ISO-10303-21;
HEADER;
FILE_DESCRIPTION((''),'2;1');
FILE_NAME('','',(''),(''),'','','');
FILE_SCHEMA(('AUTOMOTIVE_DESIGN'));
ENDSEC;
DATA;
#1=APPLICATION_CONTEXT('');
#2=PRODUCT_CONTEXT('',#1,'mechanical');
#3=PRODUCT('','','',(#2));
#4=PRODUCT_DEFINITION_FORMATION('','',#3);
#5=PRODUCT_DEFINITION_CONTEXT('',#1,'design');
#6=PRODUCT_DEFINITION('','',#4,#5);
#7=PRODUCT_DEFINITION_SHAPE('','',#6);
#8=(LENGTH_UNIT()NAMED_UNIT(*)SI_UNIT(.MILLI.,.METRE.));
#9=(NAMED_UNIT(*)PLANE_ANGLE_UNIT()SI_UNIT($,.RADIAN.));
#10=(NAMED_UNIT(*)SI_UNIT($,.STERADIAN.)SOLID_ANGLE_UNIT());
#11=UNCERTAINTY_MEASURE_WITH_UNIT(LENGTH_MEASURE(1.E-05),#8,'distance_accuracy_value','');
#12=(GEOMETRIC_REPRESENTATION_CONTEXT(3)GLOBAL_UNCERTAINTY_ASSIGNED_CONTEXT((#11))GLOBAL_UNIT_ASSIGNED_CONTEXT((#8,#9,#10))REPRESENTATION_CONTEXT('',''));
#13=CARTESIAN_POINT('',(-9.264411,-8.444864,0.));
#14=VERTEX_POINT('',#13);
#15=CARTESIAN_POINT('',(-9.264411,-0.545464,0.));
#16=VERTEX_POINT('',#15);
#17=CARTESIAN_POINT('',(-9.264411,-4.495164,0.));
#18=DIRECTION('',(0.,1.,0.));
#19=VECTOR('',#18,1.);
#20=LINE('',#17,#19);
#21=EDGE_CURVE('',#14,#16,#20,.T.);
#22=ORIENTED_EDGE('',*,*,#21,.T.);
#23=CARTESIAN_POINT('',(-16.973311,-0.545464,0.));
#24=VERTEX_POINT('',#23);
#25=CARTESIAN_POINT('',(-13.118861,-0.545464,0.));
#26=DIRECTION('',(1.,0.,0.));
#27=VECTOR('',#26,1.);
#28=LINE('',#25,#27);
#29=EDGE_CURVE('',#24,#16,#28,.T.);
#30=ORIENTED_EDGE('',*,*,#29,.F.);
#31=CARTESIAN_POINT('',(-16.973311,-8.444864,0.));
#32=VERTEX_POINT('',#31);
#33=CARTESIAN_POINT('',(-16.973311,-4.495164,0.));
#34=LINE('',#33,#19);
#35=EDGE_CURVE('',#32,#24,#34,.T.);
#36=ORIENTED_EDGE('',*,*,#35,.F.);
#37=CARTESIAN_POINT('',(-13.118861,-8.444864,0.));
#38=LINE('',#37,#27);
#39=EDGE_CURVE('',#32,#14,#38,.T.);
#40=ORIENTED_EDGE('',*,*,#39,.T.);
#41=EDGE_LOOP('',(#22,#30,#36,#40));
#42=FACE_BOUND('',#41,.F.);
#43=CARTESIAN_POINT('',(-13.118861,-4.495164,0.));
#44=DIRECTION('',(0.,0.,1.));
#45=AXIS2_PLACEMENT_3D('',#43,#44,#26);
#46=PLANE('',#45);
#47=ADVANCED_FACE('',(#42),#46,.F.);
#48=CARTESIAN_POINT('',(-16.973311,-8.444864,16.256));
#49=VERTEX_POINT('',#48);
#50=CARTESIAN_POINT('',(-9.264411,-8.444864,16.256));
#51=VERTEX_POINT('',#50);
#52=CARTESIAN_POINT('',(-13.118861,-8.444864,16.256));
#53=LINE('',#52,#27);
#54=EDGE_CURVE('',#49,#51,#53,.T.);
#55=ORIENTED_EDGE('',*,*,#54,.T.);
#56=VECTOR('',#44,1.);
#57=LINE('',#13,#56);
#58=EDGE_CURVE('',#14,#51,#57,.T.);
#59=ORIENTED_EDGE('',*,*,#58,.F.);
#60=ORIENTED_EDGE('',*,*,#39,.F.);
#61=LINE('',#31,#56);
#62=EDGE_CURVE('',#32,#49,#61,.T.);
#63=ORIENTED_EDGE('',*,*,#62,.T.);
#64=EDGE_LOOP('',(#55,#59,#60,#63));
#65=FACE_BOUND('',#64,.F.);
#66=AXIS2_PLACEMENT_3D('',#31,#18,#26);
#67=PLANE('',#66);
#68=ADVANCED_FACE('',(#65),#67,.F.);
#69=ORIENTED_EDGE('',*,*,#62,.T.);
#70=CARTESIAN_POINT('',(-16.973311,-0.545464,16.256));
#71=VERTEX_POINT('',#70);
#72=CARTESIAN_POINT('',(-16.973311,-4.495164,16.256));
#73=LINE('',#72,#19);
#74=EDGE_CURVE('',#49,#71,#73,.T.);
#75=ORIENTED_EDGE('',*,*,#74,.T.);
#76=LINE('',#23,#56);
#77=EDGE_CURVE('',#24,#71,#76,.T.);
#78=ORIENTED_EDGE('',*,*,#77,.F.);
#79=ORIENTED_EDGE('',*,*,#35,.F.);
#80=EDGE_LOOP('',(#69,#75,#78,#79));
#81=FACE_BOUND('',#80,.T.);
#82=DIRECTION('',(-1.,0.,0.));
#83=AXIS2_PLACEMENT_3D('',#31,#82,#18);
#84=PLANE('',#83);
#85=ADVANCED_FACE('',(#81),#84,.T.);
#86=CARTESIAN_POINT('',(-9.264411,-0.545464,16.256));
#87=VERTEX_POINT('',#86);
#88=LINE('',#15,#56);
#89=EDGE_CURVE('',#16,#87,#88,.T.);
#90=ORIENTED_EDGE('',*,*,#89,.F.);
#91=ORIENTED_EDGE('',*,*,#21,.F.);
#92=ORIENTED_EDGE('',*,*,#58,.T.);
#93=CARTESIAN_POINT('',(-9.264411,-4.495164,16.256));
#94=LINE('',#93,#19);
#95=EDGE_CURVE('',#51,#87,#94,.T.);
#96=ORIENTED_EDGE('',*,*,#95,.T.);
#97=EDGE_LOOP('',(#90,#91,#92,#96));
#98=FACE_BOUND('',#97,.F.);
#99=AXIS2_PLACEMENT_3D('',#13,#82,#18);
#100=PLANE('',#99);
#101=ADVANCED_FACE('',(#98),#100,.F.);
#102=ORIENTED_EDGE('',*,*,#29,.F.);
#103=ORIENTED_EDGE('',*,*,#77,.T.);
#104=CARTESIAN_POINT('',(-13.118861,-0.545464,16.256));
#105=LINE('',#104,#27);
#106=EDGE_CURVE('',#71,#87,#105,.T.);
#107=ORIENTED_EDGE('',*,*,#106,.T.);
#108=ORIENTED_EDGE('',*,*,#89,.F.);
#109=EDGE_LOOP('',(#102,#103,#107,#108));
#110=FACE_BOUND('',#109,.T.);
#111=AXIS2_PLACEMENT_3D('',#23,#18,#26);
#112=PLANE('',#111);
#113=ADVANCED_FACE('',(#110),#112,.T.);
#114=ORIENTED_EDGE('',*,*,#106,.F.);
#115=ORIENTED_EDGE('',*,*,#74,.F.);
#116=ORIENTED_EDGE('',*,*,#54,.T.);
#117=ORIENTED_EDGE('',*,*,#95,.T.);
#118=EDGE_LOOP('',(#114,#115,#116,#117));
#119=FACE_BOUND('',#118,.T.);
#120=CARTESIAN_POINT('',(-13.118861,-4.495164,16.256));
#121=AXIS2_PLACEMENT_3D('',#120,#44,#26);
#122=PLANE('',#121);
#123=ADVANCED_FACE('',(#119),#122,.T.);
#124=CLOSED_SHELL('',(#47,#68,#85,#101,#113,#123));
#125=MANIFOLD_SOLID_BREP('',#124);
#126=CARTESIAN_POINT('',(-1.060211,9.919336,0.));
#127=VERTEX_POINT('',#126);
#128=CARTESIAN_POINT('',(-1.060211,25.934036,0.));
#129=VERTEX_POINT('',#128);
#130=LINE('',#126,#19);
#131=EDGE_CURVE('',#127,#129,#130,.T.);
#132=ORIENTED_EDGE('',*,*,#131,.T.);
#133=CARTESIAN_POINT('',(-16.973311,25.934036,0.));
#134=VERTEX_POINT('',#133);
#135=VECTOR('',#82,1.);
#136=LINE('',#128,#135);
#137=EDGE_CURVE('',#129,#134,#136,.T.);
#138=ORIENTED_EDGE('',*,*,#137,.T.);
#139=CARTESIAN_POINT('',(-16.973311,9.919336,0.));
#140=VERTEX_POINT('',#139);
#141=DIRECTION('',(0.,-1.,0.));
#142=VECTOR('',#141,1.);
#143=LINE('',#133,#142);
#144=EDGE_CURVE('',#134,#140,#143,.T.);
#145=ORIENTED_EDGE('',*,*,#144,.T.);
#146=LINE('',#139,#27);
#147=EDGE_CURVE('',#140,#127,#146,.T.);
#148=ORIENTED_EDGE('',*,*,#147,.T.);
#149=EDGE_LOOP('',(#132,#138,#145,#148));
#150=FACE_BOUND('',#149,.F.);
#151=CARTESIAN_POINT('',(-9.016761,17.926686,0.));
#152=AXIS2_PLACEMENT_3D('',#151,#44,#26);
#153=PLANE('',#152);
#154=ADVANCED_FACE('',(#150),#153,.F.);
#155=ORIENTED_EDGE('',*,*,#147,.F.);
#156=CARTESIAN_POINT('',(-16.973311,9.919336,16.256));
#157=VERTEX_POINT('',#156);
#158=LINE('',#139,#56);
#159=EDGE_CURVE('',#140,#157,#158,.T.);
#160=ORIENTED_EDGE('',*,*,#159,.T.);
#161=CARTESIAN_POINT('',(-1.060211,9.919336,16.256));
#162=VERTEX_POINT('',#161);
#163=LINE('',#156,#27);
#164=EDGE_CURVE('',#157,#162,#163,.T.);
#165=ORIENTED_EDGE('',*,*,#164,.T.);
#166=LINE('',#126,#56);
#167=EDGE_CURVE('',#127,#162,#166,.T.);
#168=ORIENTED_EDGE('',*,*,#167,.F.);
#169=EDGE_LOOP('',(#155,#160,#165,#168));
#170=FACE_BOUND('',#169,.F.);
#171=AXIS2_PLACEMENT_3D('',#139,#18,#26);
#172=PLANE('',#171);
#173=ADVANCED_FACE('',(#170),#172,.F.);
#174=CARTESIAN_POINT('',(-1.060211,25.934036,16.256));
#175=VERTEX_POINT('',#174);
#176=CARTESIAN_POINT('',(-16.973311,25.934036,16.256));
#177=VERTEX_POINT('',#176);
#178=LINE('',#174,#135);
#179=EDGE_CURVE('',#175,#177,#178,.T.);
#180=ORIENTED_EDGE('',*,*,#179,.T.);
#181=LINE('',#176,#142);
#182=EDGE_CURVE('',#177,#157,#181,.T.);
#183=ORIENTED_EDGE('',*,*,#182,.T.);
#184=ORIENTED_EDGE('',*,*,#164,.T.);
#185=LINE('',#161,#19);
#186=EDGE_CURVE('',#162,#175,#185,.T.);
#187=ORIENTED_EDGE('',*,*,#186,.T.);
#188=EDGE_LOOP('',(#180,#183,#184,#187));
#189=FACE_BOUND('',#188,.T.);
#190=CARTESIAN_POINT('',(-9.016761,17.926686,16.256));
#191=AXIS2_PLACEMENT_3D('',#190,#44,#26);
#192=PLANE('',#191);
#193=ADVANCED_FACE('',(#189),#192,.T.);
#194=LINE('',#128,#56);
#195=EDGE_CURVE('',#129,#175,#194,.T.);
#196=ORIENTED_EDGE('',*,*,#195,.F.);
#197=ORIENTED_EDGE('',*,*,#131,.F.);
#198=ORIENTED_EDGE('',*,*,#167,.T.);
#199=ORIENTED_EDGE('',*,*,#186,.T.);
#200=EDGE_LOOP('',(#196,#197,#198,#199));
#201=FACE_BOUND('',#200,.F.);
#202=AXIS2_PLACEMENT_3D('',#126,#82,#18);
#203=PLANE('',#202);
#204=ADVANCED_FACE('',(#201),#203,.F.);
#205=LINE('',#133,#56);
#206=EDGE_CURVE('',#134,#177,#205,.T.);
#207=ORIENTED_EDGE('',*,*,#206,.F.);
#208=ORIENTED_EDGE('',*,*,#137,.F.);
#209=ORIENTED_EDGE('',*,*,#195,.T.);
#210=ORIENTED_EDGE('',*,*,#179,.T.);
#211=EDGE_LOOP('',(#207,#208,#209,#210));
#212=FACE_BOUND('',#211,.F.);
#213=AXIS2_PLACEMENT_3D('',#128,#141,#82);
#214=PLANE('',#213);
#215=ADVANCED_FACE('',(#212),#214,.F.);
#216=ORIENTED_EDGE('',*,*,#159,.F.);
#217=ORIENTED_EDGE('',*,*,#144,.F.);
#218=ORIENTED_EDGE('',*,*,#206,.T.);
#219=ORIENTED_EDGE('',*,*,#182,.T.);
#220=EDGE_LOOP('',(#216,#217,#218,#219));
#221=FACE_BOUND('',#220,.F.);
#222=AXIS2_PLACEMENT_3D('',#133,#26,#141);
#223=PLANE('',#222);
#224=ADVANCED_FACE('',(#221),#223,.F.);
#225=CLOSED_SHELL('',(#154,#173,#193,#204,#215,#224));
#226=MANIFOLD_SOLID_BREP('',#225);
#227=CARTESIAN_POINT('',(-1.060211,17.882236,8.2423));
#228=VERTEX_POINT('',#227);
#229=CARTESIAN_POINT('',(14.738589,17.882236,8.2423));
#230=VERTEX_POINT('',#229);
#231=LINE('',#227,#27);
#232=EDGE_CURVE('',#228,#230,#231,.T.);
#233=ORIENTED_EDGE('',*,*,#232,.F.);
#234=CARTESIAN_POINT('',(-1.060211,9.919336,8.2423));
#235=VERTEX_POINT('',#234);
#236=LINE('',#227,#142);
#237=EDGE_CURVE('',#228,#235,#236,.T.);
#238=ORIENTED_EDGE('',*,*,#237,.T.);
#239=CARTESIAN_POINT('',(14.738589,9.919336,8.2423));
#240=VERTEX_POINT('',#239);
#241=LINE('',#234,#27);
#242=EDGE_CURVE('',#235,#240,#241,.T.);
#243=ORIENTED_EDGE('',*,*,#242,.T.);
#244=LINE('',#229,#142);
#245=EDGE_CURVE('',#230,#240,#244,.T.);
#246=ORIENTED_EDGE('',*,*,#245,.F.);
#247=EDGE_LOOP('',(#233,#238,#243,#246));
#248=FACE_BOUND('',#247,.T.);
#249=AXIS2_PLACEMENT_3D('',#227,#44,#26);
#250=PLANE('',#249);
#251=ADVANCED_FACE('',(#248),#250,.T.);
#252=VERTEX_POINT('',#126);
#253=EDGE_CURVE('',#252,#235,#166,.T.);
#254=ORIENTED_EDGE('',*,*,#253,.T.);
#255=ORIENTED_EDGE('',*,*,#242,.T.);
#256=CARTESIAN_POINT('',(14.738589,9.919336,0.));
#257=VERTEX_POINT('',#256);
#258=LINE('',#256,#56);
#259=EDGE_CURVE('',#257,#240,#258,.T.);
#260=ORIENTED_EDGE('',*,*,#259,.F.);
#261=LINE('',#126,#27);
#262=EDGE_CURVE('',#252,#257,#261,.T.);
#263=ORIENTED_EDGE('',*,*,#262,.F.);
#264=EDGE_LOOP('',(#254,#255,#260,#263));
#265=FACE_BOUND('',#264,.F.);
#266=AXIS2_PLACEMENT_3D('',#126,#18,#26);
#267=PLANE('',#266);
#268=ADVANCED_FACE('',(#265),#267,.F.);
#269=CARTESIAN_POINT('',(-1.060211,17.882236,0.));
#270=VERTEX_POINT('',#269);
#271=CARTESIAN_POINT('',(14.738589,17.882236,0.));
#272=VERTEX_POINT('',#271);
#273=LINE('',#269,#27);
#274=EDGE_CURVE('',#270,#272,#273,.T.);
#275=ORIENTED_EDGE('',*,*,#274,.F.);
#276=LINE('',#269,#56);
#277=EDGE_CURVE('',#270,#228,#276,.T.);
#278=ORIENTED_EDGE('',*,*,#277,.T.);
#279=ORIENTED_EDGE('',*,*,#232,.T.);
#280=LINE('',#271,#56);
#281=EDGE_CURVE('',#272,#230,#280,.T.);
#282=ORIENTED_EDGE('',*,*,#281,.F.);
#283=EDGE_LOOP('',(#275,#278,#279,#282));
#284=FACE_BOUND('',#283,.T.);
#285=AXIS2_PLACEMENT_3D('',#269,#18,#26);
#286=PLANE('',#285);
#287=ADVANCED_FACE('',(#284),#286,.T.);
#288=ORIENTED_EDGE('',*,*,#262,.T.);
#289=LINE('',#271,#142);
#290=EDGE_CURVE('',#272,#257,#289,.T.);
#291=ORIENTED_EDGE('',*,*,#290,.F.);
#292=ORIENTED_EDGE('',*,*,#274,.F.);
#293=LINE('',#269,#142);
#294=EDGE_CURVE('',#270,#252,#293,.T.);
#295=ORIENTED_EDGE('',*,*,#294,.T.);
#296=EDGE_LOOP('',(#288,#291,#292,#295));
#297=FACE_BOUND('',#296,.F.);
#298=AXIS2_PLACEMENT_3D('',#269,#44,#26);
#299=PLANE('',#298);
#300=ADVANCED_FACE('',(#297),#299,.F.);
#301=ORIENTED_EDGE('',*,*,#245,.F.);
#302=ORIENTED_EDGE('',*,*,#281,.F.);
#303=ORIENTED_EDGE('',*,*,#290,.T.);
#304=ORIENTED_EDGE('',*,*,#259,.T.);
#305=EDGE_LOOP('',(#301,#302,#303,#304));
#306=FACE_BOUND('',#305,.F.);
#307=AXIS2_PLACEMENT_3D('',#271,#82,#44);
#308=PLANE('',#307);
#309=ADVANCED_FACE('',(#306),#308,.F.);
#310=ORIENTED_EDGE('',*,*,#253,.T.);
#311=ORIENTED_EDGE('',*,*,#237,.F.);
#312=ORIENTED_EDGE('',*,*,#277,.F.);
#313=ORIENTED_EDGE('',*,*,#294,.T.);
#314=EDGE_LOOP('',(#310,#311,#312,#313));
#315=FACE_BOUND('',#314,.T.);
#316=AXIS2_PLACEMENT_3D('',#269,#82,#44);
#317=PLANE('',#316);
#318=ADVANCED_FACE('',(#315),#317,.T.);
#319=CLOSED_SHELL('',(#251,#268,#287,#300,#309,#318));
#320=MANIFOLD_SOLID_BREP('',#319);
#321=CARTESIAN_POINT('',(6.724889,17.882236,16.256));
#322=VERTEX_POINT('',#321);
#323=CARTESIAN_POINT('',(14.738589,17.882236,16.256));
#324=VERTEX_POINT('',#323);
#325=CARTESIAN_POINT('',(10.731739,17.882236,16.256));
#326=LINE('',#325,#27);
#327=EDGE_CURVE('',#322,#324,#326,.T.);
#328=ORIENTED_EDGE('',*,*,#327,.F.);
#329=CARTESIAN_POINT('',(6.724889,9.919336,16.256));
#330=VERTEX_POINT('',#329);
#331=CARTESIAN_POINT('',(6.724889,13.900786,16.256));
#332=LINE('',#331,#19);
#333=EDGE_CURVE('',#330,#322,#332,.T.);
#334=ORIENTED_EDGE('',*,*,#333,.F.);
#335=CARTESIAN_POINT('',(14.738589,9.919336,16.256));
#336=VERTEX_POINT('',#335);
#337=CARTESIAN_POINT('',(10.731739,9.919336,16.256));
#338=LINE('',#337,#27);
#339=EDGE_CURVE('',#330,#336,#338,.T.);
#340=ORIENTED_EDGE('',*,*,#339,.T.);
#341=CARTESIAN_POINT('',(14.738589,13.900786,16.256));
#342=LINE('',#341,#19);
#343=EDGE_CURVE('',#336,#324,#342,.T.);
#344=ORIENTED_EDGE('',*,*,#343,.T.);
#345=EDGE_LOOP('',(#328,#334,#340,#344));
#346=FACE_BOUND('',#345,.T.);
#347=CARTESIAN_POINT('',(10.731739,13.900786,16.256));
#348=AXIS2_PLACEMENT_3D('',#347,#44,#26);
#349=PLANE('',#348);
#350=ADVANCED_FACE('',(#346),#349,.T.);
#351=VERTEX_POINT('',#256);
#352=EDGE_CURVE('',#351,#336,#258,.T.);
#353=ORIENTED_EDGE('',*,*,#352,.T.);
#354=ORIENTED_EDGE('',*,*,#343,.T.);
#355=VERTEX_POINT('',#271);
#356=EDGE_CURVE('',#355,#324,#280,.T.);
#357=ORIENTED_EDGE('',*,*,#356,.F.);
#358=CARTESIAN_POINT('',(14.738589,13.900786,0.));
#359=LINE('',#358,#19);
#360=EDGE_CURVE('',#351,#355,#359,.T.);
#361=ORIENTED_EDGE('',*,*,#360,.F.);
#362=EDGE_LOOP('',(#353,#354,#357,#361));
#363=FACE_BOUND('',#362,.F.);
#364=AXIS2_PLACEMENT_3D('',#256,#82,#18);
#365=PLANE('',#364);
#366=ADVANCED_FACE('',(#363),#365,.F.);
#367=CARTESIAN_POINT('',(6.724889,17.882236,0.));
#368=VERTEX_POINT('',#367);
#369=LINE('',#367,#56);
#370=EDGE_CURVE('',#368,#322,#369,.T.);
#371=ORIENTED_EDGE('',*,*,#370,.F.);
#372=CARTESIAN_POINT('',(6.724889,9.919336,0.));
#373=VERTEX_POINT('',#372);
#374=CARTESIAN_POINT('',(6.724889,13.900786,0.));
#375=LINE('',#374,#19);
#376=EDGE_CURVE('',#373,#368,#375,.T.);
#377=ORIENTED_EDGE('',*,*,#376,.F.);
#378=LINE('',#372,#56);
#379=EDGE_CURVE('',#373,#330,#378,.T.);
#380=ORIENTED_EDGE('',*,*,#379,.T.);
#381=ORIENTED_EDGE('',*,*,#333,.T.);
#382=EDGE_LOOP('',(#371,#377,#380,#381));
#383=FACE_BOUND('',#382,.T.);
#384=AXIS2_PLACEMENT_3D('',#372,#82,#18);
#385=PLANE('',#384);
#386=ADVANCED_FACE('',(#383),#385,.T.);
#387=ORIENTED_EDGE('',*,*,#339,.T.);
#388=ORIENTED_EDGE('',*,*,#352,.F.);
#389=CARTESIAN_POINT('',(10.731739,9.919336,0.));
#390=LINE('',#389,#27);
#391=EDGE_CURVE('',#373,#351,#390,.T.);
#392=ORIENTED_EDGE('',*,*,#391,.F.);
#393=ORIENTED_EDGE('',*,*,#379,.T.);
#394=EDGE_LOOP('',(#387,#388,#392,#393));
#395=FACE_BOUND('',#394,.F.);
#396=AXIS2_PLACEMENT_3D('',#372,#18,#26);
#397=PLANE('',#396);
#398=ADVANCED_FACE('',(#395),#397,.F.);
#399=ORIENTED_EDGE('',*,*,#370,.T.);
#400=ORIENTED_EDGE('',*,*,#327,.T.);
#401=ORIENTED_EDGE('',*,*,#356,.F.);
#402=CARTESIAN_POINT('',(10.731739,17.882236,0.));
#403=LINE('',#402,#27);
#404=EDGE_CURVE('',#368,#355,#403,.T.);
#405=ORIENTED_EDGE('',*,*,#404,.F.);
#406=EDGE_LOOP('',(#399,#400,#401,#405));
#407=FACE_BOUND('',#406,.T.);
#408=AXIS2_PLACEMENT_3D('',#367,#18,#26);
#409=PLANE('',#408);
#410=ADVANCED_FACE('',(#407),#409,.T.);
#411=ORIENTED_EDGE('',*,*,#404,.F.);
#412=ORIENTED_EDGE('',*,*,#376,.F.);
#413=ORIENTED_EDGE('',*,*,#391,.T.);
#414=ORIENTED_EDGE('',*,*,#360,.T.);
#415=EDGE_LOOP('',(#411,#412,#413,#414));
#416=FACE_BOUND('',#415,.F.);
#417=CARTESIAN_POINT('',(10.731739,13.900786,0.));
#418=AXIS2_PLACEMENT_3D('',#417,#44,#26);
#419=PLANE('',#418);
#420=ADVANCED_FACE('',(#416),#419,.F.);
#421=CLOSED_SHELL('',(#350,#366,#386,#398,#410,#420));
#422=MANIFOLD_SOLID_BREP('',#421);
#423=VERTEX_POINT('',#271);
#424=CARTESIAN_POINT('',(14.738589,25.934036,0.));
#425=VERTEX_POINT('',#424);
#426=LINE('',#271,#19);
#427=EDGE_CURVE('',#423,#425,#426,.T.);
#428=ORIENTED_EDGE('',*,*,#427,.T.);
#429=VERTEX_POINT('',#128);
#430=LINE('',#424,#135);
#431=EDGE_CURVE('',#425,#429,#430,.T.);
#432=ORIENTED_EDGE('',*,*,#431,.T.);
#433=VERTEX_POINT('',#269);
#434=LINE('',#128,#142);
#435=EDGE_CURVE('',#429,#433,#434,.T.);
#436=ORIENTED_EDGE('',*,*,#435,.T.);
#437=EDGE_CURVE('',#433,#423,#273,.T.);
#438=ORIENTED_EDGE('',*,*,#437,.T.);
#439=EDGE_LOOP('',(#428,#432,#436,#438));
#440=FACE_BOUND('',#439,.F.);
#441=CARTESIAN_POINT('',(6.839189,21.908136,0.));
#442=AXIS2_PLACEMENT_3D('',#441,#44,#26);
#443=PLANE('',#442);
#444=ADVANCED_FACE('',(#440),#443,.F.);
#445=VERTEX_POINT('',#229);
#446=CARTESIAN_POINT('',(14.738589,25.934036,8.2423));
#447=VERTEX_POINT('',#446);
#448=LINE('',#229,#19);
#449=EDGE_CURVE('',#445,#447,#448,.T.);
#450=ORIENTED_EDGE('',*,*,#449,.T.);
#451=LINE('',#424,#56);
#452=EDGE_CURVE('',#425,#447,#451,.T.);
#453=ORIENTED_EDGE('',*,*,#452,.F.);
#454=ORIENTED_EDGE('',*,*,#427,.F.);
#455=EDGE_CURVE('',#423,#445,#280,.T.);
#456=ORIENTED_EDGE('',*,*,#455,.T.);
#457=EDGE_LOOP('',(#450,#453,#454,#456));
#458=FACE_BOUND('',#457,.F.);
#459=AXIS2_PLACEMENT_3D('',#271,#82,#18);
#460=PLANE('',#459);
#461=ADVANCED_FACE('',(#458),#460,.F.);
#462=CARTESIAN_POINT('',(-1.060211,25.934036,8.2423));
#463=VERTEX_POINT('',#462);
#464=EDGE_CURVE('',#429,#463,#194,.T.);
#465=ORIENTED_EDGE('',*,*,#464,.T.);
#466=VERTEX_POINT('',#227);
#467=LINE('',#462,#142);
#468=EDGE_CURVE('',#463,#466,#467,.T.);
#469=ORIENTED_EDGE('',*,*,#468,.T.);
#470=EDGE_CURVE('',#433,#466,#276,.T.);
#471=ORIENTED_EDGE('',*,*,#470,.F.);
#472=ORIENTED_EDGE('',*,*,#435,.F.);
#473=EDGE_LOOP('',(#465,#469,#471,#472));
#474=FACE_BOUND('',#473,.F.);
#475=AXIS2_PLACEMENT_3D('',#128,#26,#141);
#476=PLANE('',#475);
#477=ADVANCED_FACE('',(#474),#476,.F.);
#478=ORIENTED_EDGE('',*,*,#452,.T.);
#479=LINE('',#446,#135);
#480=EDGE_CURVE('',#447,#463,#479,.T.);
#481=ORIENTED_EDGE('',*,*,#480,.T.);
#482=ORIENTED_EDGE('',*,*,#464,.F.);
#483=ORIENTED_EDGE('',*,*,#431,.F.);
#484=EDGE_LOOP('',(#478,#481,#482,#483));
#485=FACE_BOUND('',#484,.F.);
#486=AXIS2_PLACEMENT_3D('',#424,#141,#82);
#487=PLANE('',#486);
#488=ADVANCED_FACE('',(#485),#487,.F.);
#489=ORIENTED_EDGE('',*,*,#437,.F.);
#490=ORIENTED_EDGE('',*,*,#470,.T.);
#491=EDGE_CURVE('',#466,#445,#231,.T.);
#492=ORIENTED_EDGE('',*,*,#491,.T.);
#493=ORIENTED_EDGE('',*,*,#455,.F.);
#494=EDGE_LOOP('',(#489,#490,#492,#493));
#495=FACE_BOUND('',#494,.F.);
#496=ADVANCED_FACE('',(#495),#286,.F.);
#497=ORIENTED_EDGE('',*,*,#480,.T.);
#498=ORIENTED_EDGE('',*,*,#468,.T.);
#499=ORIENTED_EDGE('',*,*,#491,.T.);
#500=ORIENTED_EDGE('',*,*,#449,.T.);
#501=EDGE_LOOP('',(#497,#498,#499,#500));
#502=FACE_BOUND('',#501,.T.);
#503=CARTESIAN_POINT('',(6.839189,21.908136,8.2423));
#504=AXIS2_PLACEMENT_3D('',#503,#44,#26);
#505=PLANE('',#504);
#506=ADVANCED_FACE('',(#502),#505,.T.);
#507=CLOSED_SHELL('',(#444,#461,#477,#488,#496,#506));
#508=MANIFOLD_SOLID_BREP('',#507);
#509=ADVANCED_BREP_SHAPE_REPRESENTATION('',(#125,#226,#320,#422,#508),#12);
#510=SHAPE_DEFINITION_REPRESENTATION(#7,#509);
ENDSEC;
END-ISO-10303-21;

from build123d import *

# Parameters (mm, degrees)
F0_W     = 7.7089
F0_H     = 7.8994
F1_DEPTH = 16.256
F2_DEPTH = 16.256
F0_W_2   = 8.0137
F0_H_2   = 7.9629
F3_DEPTH = 16.256
F4_DEPTH = 8.2423
F5_DEPTH = 7.9629


with BuildPart() as f1:
    # F0 (on Top) → F1 (new body)
    with BuildSketch(Plane.XY):
        with Locations((-13.1188610815, -4.4951643029)):
            Rectangle(F0_W, F0_H)
    extrude(amount=F1_DEPTH)


with BuildPart() as f2:
    # F0 (on Top) → F2 (new body)
    with BuildSketch(Plane.XY):
        Polygon((-16.9733110815, 25.9340356971), (-16.9733110815, 9.9193356971), (-9.2644110815, 9.9193356971), (-1.0602110815, 9.9193356971), (-1.0602110815, 17.8822356971), (-1.0602110815, 25.9340356971), align=None)
    extrude(amount=F2_DEPTH)


with BuildPart() as f3:
    # F0 (on Top) → F3 (new body)
    with BuildSketch(Plane.XY):
        with Locations((10.7317389185, 13.9007856971)):
            Rectangle(F0_W_2, F0_H_2)
    extrude(amount=F3_DEPTH)


with BuildPart() as f4:
    # F0 (on Top) → F4 (new body)
    with BuildSketch(Plane.XY):
        Polygon((14.7385889185, 25.9340356971), (-1.0602110815, 25.9340356971), (-1.0602110815, 17.8822356971), (6.7248889185, 17.8822356971), (14.7385889185, 17.8822356971), align=None)
    extrude(amount=F4_DEPTH)


with BuildPart() as f5:
    # F5 (new, through all): a face of the model
    f5_faces = [f4.part.faces().sort_by_distance(p)[0] for p in [
        (6.8391889185, 17.8822356971, 4.12115),
    ]]
    extrude(f5_faces, amount=F5_DEPTH)


solid = Compound([f1.part, f2.part, f3.part, f4.part, f5.part])
